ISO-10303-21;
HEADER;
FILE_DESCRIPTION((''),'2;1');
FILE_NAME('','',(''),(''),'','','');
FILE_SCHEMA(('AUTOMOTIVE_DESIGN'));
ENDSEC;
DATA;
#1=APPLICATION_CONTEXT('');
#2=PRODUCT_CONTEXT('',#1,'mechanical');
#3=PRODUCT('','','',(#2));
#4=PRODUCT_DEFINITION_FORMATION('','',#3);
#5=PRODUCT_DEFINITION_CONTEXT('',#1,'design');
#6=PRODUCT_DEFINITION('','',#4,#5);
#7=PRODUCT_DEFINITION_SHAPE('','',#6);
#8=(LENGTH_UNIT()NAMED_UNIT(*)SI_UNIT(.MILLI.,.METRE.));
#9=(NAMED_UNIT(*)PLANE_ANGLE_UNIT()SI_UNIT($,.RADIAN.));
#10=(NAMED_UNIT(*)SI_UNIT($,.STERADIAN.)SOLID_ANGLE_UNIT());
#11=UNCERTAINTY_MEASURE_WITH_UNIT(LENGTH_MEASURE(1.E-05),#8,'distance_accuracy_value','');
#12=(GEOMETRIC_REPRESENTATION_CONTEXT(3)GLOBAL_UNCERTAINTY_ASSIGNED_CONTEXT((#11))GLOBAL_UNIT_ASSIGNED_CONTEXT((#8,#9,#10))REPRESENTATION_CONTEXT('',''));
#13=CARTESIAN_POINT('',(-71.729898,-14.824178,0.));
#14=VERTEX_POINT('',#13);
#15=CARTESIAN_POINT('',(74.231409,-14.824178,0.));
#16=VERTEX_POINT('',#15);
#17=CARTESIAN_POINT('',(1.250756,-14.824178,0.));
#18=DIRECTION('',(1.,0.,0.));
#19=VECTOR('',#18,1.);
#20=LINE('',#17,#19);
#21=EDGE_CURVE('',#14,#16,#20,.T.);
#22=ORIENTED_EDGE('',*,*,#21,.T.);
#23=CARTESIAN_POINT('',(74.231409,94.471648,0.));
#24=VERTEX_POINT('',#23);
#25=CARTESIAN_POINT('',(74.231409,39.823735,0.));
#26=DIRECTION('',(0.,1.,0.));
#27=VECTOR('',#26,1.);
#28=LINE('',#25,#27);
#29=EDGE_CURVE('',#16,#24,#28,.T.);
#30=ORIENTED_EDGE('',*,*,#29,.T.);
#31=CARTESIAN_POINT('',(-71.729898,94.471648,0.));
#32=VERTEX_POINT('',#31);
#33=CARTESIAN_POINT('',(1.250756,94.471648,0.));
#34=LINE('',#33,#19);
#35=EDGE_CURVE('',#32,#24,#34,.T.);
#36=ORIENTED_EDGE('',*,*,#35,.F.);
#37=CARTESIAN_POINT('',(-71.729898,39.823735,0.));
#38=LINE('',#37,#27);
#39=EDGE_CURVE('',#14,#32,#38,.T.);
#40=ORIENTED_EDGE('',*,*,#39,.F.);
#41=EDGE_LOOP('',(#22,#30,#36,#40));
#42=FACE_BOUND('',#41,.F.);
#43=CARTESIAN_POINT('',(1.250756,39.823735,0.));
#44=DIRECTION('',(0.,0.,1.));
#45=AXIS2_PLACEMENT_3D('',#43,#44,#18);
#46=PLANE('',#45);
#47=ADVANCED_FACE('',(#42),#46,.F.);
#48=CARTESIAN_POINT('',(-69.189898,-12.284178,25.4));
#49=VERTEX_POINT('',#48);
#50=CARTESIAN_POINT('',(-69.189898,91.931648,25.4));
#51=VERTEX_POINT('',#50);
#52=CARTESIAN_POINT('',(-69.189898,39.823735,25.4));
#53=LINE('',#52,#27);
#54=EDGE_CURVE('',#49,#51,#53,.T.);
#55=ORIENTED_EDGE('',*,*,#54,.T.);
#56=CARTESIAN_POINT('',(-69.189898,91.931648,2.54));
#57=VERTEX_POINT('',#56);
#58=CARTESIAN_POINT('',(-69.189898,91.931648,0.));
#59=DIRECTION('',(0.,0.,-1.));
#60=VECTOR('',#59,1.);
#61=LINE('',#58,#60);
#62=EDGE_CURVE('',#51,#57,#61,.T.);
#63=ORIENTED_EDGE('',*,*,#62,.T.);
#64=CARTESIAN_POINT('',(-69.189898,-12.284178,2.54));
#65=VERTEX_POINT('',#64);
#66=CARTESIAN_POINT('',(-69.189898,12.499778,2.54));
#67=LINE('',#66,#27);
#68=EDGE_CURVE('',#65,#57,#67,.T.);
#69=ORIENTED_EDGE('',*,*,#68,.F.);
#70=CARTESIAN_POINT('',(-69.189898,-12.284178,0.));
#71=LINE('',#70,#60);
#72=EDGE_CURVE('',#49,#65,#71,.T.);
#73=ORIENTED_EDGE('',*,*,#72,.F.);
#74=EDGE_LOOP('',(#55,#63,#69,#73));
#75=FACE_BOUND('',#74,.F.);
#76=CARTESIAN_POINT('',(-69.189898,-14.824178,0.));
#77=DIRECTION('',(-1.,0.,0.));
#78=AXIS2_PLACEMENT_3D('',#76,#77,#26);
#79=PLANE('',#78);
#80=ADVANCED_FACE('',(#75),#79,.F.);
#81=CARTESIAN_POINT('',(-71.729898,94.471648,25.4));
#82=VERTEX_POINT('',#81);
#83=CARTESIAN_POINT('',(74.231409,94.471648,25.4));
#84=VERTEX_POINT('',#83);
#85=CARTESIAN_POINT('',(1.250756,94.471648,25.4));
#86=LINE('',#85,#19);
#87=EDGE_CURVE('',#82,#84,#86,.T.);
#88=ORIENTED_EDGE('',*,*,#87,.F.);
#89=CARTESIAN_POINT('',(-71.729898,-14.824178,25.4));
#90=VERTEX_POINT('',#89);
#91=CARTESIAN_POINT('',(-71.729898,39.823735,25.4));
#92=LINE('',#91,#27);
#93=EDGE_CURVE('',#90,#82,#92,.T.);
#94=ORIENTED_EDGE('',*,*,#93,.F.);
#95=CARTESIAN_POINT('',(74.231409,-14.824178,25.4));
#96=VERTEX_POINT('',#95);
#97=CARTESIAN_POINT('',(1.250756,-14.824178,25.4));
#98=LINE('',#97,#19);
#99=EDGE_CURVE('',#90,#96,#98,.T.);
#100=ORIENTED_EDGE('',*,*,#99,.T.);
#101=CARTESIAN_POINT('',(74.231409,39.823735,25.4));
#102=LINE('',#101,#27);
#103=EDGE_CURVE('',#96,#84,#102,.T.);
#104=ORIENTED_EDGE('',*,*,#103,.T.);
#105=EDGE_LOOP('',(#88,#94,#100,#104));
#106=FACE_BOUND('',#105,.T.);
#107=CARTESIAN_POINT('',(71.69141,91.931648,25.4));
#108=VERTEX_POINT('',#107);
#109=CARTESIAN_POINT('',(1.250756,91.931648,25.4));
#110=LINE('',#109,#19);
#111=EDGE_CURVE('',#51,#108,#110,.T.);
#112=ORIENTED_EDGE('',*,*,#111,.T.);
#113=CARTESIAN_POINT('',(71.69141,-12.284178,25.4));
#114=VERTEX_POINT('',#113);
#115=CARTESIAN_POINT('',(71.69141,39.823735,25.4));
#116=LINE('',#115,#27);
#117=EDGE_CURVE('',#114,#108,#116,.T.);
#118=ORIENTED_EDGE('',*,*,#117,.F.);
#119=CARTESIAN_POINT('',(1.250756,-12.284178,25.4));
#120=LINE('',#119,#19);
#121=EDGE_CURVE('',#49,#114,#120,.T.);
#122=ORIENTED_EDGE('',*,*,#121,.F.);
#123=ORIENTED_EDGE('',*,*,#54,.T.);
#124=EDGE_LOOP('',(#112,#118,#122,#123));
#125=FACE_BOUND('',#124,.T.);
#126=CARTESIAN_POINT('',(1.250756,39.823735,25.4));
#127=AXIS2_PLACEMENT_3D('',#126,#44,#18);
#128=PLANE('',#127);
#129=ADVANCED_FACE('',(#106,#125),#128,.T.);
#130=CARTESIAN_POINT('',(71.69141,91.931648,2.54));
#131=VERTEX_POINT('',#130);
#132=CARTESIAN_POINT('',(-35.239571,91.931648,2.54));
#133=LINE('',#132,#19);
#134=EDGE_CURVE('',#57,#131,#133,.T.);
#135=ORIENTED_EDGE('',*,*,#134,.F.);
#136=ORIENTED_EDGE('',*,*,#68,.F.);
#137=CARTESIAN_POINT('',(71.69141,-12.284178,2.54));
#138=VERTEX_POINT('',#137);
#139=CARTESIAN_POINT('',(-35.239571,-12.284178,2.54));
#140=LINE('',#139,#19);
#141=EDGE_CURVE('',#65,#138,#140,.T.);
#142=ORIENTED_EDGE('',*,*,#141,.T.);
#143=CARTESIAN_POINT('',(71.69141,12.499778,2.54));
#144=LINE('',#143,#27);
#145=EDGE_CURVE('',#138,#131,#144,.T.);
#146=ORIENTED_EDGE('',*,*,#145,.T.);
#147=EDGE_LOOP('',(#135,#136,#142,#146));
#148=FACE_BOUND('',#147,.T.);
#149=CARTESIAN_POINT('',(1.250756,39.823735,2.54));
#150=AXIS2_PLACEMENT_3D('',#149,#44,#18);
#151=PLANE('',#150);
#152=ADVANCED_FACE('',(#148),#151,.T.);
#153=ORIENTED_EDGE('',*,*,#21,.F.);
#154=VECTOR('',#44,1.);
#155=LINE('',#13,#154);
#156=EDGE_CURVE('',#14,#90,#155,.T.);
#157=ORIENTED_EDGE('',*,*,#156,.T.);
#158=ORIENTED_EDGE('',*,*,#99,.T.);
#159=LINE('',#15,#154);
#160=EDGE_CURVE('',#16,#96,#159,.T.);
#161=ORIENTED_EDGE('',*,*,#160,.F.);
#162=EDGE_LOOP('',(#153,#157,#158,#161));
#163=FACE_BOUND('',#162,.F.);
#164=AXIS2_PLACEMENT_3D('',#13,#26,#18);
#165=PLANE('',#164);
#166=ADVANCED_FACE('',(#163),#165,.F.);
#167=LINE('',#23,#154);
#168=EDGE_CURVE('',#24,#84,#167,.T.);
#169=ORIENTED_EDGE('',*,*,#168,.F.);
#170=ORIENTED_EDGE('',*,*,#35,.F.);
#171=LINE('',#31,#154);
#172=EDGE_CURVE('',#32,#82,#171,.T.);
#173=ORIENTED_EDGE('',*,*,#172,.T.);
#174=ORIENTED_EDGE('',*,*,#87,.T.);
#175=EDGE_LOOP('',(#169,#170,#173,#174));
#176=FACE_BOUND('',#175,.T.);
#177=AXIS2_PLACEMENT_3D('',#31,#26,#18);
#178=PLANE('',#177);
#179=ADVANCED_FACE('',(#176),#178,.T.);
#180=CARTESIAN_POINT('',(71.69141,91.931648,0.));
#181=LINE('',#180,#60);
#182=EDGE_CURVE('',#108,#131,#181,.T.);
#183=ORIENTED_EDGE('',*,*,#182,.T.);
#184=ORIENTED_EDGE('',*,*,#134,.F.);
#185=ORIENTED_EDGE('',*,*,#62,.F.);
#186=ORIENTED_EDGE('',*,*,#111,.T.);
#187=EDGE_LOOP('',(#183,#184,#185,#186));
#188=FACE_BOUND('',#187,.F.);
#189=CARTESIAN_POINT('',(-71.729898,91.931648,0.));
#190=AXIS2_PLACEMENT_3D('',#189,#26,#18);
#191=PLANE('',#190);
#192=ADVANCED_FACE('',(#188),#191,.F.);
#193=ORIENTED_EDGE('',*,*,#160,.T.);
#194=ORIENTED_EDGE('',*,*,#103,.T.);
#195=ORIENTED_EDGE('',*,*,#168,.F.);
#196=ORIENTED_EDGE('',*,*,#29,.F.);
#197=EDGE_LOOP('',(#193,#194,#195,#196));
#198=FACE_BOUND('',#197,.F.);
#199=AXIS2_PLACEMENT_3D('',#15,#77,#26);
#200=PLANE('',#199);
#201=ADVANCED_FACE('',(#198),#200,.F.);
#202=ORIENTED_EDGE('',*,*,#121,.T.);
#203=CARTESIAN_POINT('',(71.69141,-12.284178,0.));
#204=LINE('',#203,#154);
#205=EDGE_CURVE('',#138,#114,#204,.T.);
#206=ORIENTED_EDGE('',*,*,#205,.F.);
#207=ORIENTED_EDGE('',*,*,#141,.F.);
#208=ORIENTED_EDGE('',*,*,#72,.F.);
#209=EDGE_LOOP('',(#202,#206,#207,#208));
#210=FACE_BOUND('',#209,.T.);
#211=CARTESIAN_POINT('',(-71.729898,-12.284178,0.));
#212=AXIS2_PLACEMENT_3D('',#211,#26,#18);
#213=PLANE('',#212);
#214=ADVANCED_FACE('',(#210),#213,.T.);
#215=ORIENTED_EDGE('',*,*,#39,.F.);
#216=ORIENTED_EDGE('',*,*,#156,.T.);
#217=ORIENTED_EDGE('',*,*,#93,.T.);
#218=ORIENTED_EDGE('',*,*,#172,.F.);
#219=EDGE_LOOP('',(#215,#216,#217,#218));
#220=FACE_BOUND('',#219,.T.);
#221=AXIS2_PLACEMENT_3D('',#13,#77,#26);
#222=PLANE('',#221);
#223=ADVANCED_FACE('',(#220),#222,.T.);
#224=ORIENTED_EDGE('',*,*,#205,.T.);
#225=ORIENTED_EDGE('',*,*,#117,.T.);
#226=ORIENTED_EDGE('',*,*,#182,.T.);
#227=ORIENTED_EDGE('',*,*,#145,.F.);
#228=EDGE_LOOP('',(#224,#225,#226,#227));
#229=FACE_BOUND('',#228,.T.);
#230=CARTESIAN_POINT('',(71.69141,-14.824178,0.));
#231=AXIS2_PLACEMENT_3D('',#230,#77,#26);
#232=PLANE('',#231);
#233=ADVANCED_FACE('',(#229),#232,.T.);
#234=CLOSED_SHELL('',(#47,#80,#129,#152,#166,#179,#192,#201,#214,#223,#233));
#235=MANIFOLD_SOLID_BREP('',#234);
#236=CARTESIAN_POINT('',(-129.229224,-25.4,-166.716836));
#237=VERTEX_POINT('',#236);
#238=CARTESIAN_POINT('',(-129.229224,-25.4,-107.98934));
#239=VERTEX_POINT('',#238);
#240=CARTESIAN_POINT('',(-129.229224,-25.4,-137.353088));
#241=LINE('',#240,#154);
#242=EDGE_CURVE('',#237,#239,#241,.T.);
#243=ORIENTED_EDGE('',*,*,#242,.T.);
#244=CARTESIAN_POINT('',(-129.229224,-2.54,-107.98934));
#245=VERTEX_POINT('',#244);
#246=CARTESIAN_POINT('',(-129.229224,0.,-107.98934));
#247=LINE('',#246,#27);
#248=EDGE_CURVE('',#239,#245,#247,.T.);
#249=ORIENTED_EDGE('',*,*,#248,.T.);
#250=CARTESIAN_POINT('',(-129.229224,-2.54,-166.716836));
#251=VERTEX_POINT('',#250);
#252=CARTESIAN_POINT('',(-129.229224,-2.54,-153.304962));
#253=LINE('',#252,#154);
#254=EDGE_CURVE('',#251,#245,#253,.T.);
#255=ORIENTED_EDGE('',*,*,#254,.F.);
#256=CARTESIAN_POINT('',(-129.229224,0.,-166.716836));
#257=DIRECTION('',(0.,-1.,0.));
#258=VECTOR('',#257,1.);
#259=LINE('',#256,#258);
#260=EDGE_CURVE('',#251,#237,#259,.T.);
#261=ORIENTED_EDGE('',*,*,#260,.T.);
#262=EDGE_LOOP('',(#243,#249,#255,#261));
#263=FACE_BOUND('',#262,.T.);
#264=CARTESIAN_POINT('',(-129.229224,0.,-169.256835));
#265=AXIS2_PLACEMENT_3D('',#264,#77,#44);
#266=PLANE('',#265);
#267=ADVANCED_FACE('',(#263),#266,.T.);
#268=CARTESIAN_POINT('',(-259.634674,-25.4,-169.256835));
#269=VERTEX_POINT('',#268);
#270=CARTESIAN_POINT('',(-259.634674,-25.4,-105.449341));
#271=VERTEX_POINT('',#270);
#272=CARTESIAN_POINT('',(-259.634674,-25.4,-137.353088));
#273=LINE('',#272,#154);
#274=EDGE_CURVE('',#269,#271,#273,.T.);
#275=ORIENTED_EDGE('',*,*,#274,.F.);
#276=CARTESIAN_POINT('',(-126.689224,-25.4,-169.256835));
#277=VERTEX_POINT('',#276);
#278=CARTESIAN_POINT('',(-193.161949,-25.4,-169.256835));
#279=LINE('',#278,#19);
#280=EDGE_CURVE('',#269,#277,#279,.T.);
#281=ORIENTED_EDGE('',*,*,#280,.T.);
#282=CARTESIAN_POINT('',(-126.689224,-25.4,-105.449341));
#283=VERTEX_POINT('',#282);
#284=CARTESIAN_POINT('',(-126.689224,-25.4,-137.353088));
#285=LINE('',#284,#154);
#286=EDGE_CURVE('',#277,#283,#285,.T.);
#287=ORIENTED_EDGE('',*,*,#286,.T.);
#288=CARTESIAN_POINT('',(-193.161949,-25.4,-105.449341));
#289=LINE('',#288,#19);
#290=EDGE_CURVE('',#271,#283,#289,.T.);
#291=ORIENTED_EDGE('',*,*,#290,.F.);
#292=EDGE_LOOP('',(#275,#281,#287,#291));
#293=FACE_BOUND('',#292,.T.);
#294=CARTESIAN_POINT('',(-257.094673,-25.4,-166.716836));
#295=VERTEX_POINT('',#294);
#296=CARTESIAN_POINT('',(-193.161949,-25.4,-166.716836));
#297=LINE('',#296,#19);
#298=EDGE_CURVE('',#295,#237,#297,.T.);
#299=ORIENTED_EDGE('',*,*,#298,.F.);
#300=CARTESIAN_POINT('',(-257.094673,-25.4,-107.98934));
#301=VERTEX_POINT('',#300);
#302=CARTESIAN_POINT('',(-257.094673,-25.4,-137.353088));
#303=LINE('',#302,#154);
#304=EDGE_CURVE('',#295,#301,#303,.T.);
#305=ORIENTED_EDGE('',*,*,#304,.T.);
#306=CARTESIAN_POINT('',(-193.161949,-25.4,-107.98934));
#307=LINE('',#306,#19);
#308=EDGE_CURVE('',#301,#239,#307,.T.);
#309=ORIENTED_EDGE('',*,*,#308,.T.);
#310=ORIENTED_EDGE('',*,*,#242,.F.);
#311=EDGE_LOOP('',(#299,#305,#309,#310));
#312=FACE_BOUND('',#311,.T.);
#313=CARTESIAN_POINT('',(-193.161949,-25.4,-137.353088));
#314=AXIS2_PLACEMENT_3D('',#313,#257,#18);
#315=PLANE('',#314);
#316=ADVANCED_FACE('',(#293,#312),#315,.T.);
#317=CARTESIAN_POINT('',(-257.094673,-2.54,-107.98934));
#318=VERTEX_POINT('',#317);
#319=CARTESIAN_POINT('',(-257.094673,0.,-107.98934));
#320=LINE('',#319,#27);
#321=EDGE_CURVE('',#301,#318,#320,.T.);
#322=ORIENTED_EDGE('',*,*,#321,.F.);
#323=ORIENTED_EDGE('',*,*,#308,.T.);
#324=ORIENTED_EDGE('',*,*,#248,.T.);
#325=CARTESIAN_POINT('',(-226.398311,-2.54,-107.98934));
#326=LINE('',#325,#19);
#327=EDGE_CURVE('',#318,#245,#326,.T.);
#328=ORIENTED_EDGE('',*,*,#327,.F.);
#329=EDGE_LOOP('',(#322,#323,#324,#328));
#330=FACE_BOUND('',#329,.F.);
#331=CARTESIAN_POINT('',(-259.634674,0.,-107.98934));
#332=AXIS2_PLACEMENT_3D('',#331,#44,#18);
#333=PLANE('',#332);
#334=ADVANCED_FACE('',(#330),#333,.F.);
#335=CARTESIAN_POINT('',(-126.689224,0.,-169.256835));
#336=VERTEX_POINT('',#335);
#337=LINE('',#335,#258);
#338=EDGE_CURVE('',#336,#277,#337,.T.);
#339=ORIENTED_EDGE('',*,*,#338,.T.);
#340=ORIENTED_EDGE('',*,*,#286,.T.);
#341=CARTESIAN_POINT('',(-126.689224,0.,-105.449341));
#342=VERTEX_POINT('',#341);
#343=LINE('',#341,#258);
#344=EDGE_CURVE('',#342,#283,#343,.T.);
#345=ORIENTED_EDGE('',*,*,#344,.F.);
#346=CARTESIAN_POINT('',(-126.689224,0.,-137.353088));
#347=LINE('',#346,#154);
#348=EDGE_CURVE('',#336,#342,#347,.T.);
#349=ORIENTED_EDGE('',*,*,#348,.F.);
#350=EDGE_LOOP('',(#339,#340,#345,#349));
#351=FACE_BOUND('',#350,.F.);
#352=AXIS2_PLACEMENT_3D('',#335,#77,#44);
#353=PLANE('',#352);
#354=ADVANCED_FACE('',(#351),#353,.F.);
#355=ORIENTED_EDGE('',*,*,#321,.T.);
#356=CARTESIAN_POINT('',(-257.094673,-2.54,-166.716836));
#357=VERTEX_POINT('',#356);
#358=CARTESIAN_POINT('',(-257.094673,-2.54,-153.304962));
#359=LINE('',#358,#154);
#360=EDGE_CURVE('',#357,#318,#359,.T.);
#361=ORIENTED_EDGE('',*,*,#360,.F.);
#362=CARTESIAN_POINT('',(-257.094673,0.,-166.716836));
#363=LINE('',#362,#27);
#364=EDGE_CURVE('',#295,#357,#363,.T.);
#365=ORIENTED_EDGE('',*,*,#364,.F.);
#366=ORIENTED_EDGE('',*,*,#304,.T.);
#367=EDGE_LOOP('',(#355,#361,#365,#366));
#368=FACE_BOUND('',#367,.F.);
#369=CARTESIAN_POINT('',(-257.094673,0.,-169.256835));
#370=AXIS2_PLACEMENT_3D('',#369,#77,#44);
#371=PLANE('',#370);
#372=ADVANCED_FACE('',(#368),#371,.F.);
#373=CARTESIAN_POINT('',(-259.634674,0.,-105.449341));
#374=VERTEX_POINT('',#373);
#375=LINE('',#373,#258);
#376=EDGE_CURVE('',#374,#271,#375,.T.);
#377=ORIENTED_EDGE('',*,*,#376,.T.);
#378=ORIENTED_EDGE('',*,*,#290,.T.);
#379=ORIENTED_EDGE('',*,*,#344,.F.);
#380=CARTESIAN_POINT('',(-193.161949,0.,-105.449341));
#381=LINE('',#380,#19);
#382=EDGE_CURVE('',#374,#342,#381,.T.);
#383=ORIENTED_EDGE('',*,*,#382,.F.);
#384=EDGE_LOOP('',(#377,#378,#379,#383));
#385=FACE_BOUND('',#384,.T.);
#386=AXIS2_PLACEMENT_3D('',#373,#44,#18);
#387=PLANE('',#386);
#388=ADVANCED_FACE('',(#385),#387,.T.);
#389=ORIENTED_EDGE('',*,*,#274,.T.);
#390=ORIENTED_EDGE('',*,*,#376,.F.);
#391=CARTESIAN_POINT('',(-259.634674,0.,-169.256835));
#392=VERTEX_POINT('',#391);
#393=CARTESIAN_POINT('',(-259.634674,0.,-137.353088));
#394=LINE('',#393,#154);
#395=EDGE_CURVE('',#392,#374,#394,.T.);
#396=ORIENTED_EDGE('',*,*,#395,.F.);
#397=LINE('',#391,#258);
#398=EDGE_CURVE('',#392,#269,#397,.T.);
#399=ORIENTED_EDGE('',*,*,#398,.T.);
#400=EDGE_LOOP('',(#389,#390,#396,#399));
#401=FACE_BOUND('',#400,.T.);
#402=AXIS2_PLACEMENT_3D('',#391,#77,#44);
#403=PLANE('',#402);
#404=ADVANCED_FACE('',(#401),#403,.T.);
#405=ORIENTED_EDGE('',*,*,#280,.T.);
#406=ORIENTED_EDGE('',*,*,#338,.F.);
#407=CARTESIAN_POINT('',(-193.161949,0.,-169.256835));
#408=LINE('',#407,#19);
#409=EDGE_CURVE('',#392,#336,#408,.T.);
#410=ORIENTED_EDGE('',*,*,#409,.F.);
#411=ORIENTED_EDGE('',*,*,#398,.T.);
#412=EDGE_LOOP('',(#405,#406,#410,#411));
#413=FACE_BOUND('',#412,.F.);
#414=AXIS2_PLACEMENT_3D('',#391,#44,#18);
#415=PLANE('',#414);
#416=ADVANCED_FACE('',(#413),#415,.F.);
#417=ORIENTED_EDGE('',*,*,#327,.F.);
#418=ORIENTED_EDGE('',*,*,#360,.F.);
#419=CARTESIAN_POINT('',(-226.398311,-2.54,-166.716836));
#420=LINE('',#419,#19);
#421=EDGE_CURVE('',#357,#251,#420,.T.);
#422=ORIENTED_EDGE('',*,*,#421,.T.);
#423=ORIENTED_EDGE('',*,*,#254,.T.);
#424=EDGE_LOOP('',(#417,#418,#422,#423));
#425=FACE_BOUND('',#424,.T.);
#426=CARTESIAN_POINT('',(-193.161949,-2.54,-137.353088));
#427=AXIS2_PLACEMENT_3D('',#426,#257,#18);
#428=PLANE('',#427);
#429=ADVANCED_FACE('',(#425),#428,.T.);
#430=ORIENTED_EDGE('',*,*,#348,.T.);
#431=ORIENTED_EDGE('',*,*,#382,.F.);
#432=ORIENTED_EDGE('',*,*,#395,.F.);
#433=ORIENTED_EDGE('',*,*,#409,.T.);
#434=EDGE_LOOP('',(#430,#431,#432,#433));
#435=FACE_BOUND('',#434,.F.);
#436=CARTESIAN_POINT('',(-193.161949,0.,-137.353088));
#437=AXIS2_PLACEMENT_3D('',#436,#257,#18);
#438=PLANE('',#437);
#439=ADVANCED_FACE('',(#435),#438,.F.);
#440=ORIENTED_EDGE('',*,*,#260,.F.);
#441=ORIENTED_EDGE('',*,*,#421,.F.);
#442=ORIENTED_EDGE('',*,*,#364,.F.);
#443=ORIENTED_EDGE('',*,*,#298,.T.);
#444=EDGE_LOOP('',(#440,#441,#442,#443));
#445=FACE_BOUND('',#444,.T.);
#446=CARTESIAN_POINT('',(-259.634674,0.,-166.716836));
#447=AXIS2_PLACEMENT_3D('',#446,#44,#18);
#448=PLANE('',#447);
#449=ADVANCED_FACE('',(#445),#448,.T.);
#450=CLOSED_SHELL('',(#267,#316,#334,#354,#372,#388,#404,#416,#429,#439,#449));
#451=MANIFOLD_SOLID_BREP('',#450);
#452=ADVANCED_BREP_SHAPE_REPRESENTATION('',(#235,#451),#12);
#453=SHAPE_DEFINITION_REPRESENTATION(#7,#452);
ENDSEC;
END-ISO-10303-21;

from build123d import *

# Parameters (mm, degrees)
F0_W     = 145.961307
F0_H     = 109.295826
F1_DEPTH = 25.4
F2_T     = -2.54
F3_W     = 132.945449
F3_H     = 63.807495
F4_DEPTH = 25.4
F5_T     = -2.54


with BuildPart() as f1:
    # F0 (on Top) → F1 (new body)
    with BuildSketch(Plane.XY):
        with Locations((1.250756, 39.823735)):
            Rectangle(F0_W, F0_H)
    extrude(amount=F1_DEPTH)

    # F2
    f2_openings = [f1.faces().sort_by_distance(p)[0] for p in [
        (1.250755, 39.823735, 25.4),
    ]]
    offset(amount=F2_T, openings=f2_openings)


with BuildPart() as f4:
    # F3 (on Front) → F4 (new body)
    with BuildSketch(Plane.XZ):
        with Locations((-193.161949, -137.353088)):
            Rectangle(F3_W, F3_H)
    extrude(amount=F4_DEPTH)

    # F5
    f5_openings = [f4.faces().sort_by_distance(p)[0] for p in [
        (-193.16195, -25.4, -137.353089),
    ]]
    offset(amount=F5_T, openings=f5_openings)


solid = Compound([f1.part, f4.part])
